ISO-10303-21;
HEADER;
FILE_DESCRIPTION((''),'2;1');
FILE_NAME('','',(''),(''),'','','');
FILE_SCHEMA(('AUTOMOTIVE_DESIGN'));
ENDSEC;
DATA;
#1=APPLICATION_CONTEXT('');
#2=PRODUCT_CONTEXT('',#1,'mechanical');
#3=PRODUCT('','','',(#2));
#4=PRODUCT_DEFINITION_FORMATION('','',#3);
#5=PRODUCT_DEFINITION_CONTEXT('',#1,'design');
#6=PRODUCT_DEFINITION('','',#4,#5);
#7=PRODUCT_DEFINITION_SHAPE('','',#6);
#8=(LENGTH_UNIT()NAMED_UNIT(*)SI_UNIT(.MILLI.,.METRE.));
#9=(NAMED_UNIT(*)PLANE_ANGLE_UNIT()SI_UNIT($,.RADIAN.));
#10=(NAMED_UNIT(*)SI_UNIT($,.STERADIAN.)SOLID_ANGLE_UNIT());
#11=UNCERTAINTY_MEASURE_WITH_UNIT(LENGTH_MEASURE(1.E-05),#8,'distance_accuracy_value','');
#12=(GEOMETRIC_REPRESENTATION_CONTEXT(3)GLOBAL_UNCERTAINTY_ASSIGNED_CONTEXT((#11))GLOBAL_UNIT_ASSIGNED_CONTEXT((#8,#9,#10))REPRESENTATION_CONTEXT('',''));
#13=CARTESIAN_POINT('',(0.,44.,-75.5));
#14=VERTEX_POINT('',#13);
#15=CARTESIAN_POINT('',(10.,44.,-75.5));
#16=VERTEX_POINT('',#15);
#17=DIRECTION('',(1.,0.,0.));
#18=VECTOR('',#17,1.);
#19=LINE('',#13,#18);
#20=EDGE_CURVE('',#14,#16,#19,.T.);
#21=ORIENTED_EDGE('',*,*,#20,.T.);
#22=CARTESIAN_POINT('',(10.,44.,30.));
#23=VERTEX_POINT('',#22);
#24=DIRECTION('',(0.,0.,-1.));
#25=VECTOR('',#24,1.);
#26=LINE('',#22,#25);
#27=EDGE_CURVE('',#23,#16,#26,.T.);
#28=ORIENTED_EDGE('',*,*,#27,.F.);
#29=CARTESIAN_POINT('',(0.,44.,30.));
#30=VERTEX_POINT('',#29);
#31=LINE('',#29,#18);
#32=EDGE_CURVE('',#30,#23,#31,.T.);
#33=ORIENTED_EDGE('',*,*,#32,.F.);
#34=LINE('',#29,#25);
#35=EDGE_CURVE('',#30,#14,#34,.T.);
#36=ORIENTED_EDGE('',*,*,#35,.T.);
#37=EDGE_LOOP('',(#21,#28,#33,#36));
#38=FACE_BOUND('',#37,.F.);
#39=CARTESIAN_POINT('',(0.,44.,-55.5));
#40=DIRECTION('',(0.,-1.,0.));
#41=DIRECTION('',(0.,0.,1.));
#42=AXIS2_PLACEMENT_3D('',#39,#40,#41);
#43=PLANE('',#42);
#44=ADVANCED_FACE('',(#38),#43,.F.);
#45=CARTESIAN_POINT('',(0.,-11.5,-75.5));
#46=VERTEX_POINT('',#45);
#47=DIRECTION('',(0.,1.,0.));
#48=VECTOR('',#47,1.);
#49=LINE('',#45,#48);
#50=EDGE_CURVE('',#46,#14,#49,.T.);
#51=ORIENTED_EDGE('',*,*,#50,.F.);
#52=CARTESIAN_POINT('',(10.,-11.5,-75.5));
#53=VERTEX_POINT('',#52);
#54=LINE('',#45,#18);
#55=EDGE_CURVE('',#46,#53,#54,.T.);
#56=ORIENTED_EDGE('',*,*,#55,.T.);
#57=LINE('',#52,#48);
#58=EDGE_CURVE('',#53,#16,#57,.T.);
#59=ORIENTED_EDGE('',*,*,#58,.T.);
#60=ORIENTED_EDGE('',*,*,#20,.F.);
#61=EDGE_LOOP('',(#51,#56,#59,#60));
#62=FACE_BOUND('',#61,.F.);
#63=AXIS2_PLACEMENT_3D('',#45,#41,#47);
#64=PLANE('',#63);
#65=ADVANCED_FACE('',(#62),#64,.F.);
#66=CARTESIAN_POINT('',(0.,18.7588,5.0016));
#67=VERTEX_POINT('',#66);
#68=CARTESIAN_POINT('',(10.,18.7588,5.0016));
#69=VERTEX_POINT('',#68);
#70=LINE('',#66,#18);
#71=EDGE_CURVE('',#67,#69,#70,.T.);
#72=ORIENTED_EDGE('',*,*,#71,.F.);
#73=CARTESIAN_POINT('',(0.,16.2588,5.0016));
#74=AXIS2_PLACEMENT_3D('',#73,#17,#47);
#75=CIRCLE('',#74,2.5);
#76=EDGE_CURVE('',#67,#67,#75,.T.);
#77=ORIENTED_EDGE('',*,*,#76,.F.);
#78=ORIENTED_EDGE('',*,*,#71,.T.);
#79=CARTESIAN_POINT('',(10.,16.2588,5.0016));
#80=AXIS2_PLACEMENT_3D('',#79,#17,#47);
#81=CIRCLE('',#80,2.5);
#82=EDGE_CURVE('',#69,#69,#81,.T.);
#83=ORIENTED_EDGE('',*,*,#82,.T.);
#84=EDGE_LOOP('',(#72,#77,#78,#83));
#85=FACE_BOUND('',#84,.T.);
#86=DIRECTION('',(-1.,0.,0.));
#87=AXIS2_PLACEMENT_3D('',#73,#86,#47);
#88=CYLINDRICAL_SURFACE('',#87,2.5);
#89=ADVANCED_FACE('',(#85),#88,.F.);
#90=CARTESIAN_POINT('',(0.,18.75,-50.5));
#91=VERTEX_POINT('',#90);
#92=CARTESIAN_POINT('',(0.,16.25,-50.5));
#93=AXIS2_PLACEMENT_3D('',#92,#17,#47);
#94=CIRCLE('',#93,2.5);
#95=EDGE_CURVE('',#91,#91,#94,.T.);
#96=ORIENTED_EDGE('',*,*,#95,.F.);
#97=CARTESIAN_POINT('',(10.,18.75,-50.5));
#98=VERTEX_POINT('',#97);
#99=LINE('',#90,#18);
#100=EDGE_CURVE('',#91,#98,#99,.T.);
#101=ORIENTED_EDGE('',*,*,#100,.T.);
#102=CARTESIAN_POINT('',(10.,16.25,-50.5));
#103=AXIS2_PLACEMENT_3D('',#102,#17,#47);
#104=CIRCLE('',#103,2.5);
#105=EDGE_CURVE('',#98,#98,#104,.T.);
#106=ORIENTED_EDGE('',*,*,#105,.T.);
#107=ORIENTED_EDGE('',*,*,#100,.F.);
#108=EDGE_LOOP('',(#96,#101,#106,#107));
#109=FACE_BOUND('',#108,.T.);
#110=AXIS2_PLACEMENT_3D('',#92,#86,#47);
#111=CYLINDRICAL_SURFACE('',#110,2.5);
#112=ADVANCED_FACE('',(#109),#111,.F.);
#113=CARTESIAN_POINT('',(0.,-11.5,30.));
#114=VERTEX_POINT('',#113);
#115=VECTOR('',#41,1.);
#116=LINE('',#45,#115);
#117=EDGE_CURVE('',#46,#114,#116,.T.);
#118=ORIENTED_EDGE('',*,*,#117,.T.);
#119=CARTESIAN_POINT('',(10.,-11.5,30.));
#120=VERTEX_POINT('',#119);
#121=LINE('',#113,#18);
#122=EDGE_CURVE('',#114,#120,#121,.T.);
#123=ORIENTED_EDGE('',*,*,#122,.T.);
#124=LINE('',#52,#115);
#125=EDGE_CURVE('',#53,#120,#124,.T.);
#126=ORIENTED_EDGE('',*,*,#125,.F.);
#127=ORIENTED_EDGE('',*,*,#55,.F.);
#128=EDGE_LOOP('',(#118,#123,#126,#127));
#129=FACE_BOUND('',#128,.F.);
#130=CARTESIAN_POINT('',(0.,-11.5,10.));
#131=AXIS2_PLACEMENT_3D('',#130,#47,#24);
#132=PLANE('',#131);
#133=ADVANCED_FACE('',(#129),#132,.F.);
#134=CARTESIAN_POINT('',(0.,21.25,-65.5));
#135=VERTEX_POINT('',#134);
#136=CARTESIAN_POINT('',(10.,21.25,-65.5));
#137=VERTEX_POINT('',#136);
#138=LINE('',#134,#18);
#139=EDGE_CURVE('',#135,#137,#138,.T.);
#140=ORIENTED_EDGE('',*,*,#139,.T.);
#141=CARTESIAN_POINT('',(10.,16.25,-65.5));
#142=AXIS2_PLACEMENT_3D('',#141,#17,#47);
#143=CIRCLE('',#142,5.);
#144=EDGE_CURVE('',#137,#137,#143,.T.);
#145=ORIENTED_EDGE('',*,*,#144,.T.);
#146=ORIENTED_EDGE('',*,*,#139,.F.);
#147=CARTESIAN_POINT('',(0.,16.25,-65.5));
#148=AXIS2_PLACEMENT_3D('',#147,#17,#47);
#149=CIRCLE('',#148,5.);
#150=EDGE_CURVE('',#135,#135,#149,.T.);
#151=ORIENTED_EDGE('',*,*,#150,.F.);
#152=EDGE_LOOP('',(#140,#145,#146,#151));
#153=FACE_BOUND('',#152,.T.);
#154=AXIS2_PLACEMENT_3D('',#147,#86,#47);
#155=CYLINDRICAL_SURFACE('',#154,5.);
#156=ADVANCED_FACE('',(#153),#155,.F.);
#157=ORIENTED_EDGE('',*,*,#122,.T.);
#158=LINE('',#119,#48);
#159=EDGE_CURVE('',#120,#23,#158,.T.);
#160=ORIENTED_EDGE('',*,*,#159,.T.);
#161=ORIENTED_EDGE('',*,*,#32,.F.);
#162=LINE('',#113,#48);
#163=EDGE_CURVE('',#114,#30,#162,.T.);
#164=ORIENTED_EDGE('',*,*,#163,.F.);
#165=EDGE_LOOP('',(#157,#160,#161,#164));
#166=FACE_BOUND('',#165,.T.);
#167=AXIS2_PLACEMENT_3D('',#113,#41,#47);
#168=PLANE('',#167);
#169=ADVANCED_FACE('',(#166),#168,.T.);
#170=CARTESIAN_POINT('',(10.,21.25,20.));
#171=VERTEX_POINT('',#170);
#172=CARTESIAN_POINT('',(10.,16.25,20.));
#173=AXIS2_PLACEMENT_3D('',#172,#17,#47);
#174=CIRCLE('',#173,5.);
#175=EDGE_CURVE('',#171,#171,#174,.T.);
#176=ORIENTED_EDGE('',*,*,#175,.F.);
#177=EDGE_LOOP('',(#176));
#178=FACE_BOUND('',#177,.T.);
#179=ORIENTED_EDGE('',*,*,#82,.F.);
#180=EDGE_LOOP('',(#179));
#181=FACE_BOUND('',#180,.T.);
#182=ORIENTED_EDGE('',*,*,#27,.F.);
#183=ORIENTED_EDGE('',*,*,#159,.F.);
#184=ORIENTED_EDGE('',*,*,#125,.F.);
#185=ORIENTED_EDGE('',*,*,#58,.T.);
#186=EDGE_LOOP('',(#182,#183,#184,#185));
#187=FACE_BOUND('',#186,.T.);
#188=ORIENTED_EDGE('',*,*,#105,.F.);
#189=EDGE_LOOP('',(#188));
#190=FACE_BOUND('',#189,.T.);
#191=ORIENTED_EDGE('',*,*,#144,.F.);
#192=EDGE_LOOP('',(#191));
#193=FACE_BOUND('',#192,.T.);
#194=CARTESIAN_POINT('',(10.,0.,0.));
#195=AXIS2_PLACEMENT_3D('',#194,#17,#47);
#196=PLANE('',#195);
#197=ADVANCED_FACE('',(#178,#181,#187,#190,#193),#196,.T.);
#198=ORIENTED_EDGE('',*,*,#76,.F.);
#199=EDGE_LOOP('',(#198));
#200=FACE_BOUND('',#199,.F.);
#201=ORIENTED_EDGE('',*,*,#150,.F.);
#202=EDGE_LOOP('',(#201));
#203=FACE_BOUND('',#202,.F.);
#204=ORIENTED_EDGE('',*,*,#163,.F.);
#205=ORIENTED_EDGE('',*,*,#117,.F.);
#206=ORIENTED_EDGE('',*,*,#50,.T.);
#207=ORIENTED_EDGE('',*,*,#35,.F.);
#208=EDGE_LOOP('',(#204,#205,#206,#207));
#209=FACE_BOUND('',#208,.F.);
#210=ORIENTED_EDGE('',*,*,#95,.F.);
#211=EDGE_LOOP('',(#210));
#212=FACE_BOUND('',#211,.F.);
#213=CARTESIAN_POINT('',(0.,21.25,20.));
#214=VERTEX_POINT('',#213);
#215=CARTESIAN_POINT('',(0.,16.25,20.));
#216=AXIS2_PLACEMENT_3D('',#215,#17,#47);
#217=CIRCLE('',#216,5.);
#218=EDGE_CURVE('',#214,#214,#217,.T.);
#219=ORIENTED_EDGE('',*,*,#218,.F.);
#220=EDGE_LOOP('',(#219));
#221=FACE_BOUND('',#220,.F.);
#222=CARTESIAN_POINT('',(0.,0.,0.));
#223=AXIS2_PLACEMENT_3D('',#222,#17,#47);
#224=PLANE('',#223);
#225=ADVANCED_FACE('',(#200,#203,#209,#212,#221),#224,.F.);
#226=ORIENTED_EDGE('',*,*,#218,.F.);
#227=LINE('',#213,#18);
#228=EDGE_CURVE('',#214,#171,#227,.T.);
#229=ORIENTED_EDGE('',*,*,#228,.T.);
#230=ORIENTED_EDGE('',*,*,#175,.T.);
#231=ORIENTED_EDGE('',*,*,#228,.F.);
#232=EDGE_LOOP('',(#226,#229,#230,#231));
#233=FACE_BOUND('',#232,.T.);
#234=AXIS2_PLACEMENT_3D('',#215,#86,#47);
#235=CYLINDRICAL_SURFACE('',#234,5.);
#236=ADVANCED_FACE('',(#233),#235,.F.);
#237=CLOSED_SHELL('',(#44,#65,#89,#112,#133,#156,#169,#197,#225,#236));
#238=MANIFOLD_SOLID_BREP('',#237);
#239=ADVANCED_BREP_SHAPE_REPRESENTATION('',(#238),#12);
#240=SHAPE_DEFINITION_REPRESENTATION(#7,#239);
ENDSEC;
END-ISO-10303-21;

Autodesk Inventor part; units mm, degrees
ref_plane "YZ Plane" through (0, 0, 0) normal (1, 0, 0) x (0, 1, 0)
ref_plane "XZ Plane" through (0, 0, 0) normal (0, 1, 0) x (-1, 0, 0)
ref_plane "XY Plane" through (0, 0, 0) normal (0, 0, 1) x (1, 0, 0)
sketch "Sketch1" plane through (0, 0, 0) normal (1, 0, 0) x (0, 1, 0)
  line L0 (-6, -12.5) -> (-6, -12.9)
  arc A0 (-6, -12.9) -> (-5.6, -13.3) centre (-5.6, -12.9) ccw
  line L1 (-5.6, -13.3) -> (-4.9, -13.3)
  arc A1 (-4.9, -13.3) -> (-4.7, -13.1) centre (-4.9, -13.1) ccw
  line L2 (-4.7, -13.1) -> (-4.7, -12.85)
  arc A2 (-4.5, -12.65) -> (-4.7, -12.85) centre (-4.5, -12.85) ccw
  line L3 (-4.5, -12.65) -> (-1.8, -12.65)
  arc A3 (-1.4, -13.05) -> (-1.8, -12.65) centre (-1.8, -13.05) ccw
  line L4 (-1.4, -13.05) -> (-1.4, -18.75)
  line L5 (-1.8, -19.15) -> (-4.5, -19.15)
  arc A4 (-1.8, -19.15) -> (-1.4, -18.75) centre (-1.8, -18.75) ccw
  arc A5 (-4.7, -18.95) -> (-4.5, -19.15) centre (-4.5, -18.95) ccw
  line L6 (-4.7, -18.95) -> (-4.7, -18.7)
  arc A6 (-4.7, -18.7) -> (-4.9, -18.5) centre (-4.9, -18.7) ccw
  line L7 (-4.9, -18.5) -> (-5.6, -18.5)
  arc A7 (-5.6, -18.5) -> (-6, -18.9) centre (-5.6, -18.9) ccw
  line L8 (-6, -18.9) -> (-6, -19.5)
  line L9 (-6.5, -6.5) -> (-6.5, -12.5)
  line L10 (-6.5, -12.5) -> (-2.5, -12.5)
  line L11 (-1.05, -19.5) -> (-6.5, -19.5)
  line L12 (-6.5, -19.5) -> (-6.5, -26)
  line L13 (-6.5, -26) -> (-1.05, -26)
  line L14 (-6, -26) -> (-6, -26.6)
  arc A8 (-6, -26.6) -> (-5.6, -27) centre (-5.6, -26.6) ccw
  line L15 (-5.6, -27) -> (-4.9, -27)
  arc A9 (-4.9, -27) -> (-4.7, -26.8) centre (-4.9, -26.8) ccw
  arc A10 (-4.5, -26.35) -> (-4.7, -26.55) centre (-4.5, -26.55) ccw
  line L16 (-4.7, -26.8) -> (-4.7, -26.55)
  line L17 (-4.5, -26.35) -> (-1.8, -26.35)
  arc A11 (-1.4, -26.75) -> (-1.8, -26.35) centre (-1.8, -26.75) ccw
  line L18 (-1.4, -26.75) -> (-1.4, -32.45)
  arc A12 (-1.8, -32.85) -> (-1.4, -32.45) centre (-1.8, -32.45) ccw
  line L19 (-1.8, -32.85) -> (-4.5, -32.85)
  arc A13 (-4.7, -32.65) -> (-4.5, -32.85) centre (-4.5, -32.65) ccw
  line L20 (-4.7, -32.65) -> (-4.7, -32.4)
  arc A14 (-4.7, -32.4) -> (-4.9, -32.2) centre (-4.9, -32.4) ccw
  line L21 (-4.9, -32.2) -> (-5.6, -32.2)
  arc A15 (-5.6, -32.2) -> (-6, -32.6) centre (-5.6, -32.6) ccw
  line L22 (-6, -32.6) -> (-6, -33)
  line L23 (-2.5, -33) -> (-6.5, -33)
  line L24 (-6.5, -33) -> (-6.5, -39)
  line L25 (32.5, 0) -> (0, 0)
  circle A16 centre (0, -6.5) radius 4.75
  circle A17 centre (32.5, -6.5) radius 4.75
  circle A18 centre (0, -39) radius 4.75
  circle A19 centre (32.5, -39) radius 4.75
  line L26 (39, -26) -> (39, -19.5)
  line L27 (39, -12.5) -> (39, -6.5)
  line L28 (39, -39) -> (39, -33)
  line L29 (26.5, -45.5) -> (32.5, -45.5)
  line L30 (0, -45.5) -> (6, -45.5)
  line L31 (13, -45.5) -> (19.5, -45.5)
  circle A20 centre (16.2588, 5.0016) radius 2.5
  circle A21 centre (16.25, -50.5) radius 2.5
  line L32 (44, 10) -> (-11.5, 10)
  line L33 (-11.5, 10) -> (-11.5, -55.5)
  line L34 (-11.5, -55.5) -> (44, -55.5)
  line L35 (44, -55.5) -> (44, 10)
  line L36 (44, 10) -> (-11.5, 10)
  line L37 (-11.5, 10) -> (-11.5, 30)
  line L38 (-11.5, 30) -> (44, 30)
  line L39 (44, 30) -> (44, 10)
  line L40 (44, -55.5) -> (-11.5, -55.5)
  line L41 (-11.5, -55.5) -> (-11.5, -75.5)
  line L42 (-11.5, -75.5) -> (44, -75.5)
  line L43 (44, -75.5) -> (44, -55.5)
  circle A22 centre (16.25, 20) radius 5
  circle A23 centre (16.25, -65.5) radius 5
  point P0 (24.75, -17.8425)
  point P1 (-11.5, 10)
  dimension "d0" = 20
  dimension "d1" = 20
  dimension "d2" = 10
  dimension "d3" = 10
extrude "Extrusion1" add sketch "Sketch1" along normal blind 10 contours A16 | A17 | A18 | A19 | L35 L34 L33 L32 | L32 L37 L38 L39 | L43 L42 L41 L34
properties part number "PlacaMediaHidráulicos"
